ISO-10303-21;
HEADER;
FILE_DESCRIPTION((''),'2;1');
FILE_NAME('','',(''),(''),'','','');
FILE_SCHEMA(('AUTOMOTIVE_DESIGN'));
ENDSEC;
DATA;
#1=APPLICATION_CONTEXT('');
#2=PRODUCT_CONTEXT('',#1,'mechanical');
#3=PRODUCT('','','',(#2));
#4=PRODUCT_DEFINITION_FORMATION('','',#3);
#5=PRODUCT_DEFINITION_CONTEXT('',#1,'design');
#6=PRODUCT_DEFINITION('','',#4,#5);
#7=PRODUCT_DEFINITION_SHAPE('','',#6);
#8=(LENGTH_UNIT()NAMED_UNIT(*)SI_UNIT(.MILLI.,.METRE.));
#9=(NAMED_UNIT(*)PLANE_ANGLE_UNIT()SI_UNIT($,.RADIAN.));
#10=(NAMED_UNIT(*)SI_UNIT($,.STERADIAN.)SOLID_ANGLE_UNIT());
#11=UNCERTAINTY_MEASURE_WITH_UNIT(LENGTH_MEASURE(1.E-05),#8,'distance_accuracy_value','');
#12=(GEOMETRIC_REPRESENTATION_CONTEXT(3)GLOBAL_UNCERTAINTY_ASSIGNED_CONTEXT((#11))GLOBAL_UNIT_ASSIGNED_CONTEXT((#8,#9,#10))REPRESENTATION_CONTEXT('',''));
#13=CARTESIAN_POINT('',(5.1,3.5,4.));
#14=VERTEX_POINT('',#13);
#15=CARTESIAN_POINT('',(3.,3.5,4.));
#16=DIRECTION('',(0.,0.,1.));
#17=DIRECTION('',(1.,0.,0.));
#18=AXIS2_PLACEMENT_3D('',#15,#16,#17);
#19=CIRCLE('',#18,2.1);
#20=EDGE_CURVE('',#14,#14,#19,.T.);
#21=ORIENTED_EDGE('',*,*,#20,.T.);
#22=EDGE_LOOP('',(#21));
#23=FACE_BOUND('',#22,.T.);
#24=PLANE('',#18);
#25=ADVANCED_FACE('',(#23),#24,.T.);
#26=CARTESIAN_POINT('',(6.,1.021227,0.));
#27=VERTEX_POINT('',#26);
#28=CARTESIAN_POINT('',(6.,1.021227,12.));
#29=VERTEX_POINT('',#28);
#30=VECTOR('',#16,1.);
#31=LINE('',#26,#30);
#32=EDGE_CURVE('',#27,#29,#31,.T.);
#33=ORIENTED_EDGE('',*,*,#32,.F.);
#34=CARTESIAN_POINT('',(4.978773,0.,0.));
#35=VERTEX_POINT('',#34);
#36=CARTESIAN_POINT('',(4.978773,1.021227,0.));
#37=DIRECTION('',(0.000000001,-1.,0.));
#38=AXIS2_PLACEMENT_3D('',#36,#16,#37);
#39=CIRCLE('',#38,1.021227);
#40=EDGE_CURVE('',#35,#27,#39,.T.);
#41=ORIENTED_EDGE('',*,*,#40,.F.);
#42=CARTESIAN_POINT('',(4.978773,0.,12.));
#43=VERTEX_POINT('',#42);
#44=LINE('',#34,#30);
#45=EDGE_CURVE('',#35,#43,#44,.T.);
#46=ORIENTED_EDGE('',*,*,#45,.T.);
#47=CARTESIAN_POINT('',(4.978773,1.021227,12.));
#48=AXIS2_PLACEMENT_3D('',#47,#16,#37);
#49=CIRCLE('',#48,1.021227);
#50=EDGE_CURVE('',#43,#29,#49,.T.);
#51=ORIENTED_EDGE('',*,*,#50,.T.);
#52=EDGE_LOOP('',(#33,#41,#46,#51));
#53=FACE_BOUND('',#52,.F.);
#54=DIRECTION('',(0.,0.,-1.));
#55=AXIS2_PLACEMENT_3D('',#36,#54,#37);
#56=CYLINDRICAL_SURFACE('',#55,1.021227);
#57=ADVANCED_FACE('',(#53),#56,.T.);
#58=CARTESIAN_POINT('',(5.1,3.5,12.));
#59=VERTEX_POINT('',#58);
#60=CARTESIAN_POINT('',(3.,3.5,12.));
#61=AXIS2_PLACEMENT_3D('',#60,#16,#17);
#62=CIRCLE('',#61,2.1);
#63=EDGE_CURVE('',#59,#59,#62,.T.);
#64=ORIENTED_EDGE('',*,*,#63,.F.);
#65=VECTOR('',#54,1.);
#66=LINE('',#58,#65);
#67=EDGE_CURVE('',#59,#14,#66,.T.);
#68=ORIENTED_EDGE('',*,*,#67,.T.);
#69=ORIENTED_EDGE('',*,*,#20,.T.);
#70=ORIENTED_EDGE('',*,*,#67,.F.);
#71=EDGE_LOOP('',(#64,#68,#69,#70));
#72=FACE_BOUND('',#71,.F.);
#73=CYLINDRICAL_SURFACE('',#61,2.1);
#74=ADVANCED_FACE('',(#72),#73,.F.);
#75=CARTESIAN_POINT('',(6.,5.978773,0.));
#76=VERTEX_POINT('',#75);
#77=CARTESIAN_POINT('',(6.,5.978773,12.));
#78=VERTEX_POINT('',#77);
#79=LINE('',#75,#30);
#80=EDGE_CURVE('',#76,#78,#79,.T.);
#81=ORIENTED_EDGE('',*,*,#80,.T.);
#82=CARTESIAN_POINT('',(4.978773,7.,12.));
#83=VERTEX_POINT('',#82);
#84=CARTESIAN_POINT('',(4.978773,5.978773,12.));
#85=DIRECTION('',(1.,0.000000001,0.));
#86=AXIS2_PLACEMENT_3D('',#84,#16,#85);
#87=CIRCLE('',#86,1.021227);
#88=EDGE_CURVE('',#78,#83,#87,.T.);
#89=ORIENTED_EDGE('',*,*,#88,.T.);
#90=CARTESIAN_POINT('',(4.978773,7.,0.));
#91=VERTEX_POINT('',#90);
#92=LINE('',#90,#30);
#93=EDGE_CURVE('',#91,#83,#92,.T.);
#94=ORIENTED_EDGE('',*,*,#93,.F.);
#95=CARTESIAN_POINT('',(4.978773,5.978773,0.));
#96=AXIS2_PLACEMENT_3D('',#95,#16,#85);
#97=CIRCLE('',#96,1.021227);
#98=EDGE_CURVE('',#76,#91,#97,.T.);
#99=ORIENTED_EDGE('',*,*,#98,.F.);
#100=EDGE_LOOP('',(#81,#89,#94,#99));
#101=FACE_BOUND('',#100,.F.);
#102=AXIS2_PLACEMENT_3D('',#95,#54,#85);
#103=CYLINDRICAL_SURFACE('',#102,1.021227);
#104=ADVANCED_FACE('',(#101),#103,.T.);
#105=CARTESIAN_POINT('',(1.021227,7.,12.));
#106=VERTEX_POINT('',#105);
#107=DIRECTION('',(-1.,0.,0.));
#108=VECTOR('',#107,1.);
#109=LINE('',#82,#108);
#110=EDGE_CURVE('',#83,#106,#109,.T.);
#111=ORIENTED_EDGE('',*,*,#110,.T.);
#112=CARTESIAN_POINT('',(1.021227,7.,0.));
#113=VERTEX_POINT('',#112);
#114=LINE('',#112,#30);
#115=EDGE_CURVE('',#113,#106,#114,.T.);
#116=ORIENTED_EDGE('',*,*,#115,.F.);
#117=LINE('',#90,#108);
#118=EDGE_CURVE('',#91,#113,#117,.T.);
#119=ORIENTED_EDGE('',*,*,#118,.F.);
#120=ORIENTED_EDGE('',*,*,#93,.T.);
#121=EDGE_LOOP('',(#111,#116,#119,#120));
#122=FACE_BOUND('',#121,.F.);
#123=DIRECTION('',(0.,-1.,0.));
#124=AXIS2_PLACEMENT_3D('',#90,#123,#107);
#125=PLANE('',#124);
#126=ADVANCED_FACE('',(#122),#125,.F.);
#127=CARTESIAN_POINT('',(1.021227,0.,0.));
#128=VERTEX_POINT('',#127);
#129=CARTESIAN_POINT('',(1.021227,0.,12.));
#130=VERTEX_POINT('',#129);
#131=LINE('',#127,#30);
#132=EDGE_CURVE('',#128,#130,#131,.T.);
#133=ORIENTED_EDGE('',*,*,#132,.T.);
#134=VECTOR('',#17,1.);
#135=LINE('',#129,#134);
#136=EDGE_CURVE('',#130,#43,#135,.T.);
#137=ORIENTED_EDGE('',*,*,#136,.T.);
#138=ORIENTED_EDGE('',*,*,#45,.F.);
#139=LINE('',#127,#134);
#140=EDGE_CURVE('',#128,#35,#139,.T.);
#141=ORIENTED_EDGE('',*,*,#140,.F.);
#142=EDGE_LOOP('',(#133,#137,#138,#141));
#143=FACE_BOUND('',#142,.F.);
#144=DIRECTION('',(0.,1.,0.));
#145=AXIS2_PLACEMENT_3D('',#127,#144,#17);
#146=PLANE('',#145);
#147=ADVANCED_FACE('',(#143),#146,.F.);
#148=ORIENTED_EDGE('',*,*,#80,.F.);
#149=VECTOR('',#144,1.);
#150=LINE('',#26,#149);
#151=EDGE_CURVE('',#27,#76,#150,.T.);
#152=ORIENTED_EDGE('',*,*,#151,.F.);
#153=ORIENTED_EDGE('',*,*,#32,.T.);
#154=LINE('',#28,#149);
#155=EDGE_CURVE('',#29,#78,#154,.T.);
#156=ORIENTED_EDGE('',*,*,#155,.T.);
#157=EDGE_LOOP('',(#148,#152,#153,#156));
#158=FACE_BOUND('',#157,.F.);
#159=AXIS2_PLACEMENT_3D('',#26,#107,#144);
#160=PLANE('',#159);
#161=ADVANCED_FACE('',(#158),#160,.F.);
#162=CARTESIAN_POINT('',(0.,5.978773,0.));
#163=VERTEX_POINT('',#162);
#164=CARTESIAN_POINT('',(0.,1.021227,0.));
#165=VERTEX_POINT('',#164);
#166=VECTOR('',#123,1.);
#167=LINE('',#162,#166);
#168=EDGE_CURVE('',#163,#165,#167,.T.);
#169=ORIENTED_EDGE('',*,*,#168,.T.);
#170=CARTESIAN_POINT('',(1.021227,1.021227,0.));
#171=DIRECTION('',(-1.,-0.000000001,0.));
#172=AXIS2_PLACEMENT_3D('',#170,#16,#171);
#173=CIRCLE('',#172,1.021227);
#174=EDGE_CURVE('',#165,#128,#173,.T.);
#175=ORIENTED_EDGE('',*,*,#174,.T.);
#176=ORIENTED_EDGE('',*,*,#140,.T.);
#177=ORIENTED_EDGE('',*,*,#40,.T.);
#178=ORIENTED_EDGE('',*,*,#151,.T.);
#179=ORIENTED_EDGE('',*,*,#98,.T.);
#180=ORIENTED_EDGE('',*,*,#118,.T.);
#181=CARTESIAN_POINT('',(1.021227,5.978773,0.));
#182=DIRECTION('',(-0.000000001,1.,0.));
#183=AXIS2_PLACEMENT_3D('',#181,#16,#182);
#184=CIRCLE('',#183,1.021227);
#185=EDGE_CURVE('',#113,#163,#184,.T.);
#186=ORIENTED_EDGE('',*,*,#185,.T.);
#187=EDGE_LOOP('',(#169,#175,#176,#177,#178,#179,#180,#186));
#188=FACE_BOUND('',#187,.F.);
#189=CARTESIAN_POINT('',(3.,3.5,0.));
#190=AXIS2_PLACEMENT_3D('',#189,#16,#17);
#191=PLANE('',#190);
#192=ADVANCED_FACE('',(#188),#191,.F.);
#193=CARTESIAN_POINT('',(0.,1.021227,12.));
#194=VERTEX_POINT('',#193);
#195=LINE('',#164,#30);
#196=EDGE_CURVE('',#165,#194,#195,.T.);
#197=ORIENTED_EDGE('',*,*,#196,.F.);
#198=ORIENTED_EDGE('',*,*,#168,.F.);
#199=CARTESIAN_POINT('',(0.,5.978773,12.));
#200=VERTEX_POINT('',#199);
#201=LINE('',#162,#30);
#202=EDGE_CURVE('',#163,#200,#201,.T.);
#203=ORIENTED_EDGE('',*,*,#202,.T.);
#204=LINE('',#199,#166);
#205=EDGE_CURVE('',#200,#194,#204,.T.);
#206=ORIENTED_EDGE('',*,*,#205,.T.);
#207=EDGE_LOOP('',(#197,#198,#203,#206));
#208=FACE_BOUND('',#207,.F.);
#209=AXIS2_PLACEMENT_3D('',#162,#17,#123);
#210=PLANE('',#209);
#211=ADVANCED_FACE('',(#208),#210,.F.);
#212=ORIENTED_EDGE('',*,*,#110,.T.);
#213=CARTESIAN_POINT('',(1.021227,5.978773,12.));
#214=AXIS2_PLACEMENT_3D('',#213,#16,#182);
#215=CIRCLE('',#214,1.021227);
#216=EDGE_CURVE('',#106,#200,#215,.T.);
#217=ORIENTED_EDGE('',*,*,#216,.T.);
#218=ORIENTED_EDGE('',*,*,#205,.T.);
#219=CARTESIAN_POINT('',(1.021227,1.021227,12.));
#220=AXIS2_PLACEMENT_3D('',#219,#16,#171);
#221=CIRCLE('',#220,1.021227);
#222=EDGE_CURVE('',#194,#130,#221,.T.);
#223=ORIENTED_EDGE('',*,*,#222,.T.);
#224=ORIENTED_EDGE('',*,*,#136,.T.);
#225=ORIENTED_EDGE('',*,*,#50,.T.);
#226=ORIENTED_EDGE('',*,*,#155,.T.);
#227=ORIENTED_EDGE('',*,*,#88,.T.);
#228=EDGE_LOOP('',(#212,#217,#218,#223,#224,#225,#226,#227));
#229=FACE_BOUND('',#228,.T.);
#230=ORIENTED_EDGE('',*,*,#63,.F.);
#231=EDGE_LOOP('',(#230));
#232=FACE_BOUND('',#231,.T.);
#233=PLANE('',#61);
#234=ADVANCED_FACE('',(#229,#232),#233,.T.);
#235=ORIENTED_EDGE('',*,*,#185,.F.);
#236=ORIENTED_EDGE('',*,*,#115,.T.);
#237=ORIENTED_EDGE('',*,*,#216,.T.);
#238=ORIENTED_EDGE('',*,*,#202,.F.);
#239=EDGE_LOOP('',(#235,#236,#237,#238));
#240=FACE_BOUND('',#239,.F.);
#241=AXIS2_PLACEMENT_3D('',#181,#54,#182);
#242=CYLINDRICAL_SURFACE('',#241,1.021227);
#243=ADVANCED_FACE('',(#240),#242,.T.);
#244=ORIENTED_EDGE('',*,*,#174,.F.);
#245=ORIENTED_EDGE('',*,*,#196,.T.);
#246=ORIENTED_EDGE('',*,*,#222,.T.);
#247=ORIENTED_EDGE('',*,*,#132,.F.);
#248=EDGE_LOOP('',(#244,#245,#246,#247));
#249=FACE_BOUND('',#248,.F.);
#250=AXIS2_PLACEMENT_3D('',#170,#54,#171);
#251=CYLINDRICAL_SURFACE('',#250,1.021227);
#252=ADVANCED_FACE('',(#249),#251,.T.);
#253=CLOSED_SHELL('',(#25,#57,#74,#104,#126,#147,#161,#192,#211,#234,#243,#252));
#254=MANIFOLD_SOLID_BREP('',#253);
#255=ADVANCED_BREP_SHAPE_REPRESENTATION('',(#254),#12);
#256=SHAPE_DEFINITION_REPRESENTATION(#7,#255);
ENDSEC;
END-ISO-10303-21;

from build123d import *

# Parameters (mm, degrees)
BOSS_EXTRUDE1_DEPTH = 12
SKETCH2_R           = 2.1
CUT_EXTRUDE1_DEPTH  = 8


with BuildPart() as part:
    # Sketch1 → Boss-Extrude1 (new body)
    with BuildSketch(Plane.XY):
        with BuildLine():
            Line((1.021227299, 0), (4.978772701, 0))
            ThreePointArc((4.978772701, 0), (5.700889449, 0.299110551), (6, 1.021227299))
            Line((6, 1.021227299), (6, 5.978772701))
            ThreePointArc((6, 5.978772701), (5.700889449, 6.700889449), (4.978772701, 7))
            Line((4.978772701, 7), (1.021227299, 7))
            ThreePointArc((1.021227299, 7), (0.299110551, 6.700889449), (0, 5.978772701))
            Line((0, 5.978772701), (0, 1.021227299))
            ThreePointArc((0, 1.021227299), (0.299110551, 0.299110551), (1.021227299, 0))
        make_face()
    extrude(amount=BOSS_EXTRUDE1_DEPTH)

    # Sketch2 → Cut-Extrude1 (cut)
    with BuildSketch(Plane.XY.offset(12)):
        with Locations((3, 3.5)):
            Circle(SKETCH2_R)
    extrude(amount=-CUT_EXTRUDE1_DEPTH, mode=Mode.SUBTRACT)


solid = part.part
